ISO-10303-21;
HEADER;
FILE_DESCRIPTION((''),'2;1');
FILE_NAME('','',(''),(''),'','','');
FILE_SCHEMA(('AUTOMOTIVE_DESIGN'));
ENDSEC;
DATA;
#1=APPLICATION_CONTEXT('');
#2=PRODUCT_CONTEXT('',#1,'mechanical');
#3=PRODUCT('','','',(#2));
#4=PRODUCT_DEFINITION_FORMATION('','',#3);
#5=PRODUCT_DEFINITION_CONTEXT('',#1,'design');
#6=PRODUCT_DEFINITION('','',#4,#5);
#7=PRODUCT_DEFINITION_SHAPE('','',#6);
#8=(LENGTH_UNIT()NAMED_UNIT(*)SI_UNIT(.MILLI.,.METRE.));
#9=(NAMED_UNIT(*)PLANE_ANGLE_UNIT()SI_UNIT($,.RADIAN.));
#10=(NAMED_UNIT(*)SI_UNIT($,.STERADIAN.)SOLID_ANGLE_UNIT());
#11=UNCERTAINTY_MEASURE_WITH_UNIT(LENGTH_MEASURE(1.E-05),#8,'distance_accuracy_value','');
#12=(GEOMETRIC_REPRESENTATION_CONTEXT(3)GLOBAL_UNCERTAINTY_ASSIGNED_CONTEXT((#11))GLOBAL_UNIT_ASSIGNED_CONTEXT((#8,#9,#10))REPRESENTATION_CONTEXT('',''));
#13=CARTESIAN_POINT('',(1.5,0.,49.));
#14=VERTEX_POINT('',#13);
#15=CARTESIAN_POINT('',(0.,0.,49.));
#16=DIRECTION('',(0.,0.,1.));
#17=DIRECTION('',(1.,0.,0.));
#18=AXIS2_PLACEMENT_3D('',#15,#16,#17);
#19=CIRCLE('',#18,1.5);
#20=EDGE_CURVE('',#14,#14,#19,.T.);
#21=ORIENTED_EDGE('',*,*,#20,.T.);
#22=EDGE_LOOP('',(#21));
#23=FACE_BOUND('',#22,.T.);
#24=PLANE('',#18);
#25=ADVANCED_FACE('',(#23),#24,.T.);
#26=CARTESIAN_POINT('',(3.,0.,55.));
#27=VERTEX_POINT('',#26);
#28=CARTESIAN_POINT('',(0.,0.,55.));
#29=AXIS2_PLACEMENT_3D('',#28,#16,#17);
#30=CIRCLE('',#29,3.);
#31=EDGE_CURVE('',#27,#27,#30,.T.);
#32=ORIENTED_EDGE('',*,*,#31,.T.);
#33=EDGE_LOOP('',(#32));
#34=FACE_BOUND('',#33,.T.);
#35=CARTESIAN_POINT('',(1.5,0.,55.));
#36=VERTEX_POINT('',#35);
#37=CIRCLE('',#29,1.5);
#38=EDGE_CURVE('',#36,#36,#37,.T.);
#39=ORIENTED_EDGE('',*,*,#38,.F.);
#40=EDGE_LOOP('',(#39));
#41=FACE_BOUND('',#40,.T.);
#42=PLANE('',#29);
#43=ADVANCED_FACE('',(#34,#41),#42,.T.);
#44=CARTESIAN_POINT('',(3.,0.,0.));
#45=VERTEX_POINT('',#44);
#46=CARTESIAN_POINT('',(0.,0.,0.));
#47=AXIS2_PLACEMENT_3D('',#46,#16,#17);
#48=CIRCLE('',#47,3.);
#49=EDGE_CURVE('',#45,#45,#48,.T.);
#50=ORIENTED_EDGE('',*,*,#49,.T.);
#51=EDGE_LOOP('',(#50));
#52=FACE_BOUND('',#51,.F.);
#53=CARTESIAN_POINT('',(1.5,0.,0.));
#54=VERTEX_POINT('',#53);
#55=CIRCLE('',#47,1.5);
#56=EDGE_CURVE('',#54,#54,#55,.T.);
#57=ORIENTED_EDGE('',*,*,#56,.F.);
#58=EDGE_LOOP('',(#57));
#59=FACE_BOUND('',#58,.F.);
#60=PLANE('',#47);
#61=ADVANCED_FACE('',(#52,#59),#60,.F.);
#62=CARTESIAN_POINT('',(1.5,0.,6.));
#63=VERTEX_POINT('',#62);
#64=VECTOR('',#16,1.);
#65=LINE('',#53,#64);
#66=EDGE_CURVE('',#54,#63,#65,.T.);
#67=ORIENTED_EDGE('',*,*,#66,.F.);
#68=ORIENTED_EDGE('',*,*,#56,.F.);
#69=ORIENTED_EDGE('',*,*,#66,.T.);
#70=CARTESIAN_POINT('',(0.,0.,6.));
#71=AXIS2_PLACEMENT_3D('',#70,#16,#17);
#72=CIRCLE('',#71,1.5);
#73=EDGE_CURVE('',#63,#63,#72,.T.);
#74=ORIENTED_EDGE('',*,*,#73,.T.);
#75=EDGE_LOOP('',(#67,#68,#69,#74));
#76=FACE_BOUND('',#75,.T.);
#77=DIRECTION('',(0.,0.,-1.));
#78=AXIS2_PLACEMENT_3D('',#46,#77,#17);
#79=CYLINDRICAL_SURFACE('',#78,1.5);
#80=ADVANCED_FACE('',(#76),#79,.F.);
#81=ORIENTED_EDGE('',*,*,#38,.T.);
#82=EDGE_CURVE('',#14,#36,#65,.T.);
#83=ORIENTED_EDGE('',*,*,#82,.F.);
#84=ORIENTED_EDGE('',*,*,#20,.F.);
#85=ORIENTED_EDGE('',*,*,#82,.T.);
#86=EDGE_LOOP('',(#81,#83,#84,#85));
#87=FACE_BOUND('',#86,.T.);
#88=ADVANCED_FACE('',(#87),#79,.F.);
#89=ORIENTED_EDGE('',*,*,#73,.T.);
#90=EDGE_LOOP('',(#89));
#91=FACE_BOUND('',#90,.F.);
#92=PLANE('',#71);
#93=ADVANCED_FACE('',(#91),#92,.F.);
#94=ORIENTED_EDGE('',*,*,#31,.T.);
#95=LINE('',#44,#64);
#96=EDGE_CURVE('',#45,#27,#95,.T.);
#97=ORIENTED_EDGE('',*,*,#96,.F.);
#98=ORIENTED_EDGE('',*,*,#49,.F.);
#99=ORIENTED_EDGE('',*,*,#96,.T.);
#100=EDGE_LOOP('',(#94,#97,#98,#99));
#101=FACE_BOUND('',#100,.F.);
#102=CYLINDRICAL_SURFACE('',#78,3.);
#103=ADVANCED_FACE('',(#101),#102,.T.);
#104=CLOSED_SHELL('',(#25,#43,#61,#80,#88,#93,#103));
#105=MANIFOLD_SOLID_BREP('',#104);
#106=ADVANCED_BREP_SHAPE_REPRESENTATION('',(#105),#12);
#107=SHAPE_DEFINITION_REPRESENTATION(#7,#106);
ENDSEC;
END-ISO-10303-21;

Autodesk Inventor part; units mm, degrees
ref_plane "YZ Plane" through (0, 0, 0) normal (1, 0, 0) x (0, 1, 0)
ref_plane "XZ Plane" through (0, 0, 0) normal (0, 1, 0) x (-1, 0, 0)
sketch "スケッチ1" plane through (0, 0, 0) normal (0, 0, 1) x (1, 0, 0)
  circle A0 centre (0, 0) radius 1.5
  circle A1 centre (0, 0) radius 3
  dimension "d0" = 3
  dimension "d1" = 6
extrude "押し出し1" add sketch "スケッチ1" along normal blind 55
ref_plane "作業平面1" through (0, 0, 49) normal (0, 0, 1) x (1, 0, 0)
sketch "スケッチ2" plane through (0, 0, 49) normal (0, 0, 1) x (1, 0, 0)
  circle A0 centre (0, 0) radius 1.5 projected
extrude "押し出し2" add sketch "スケッチ2" against normal blind 43
properties part number "スペーサーm3,55" material "アルミニウム 7075"
